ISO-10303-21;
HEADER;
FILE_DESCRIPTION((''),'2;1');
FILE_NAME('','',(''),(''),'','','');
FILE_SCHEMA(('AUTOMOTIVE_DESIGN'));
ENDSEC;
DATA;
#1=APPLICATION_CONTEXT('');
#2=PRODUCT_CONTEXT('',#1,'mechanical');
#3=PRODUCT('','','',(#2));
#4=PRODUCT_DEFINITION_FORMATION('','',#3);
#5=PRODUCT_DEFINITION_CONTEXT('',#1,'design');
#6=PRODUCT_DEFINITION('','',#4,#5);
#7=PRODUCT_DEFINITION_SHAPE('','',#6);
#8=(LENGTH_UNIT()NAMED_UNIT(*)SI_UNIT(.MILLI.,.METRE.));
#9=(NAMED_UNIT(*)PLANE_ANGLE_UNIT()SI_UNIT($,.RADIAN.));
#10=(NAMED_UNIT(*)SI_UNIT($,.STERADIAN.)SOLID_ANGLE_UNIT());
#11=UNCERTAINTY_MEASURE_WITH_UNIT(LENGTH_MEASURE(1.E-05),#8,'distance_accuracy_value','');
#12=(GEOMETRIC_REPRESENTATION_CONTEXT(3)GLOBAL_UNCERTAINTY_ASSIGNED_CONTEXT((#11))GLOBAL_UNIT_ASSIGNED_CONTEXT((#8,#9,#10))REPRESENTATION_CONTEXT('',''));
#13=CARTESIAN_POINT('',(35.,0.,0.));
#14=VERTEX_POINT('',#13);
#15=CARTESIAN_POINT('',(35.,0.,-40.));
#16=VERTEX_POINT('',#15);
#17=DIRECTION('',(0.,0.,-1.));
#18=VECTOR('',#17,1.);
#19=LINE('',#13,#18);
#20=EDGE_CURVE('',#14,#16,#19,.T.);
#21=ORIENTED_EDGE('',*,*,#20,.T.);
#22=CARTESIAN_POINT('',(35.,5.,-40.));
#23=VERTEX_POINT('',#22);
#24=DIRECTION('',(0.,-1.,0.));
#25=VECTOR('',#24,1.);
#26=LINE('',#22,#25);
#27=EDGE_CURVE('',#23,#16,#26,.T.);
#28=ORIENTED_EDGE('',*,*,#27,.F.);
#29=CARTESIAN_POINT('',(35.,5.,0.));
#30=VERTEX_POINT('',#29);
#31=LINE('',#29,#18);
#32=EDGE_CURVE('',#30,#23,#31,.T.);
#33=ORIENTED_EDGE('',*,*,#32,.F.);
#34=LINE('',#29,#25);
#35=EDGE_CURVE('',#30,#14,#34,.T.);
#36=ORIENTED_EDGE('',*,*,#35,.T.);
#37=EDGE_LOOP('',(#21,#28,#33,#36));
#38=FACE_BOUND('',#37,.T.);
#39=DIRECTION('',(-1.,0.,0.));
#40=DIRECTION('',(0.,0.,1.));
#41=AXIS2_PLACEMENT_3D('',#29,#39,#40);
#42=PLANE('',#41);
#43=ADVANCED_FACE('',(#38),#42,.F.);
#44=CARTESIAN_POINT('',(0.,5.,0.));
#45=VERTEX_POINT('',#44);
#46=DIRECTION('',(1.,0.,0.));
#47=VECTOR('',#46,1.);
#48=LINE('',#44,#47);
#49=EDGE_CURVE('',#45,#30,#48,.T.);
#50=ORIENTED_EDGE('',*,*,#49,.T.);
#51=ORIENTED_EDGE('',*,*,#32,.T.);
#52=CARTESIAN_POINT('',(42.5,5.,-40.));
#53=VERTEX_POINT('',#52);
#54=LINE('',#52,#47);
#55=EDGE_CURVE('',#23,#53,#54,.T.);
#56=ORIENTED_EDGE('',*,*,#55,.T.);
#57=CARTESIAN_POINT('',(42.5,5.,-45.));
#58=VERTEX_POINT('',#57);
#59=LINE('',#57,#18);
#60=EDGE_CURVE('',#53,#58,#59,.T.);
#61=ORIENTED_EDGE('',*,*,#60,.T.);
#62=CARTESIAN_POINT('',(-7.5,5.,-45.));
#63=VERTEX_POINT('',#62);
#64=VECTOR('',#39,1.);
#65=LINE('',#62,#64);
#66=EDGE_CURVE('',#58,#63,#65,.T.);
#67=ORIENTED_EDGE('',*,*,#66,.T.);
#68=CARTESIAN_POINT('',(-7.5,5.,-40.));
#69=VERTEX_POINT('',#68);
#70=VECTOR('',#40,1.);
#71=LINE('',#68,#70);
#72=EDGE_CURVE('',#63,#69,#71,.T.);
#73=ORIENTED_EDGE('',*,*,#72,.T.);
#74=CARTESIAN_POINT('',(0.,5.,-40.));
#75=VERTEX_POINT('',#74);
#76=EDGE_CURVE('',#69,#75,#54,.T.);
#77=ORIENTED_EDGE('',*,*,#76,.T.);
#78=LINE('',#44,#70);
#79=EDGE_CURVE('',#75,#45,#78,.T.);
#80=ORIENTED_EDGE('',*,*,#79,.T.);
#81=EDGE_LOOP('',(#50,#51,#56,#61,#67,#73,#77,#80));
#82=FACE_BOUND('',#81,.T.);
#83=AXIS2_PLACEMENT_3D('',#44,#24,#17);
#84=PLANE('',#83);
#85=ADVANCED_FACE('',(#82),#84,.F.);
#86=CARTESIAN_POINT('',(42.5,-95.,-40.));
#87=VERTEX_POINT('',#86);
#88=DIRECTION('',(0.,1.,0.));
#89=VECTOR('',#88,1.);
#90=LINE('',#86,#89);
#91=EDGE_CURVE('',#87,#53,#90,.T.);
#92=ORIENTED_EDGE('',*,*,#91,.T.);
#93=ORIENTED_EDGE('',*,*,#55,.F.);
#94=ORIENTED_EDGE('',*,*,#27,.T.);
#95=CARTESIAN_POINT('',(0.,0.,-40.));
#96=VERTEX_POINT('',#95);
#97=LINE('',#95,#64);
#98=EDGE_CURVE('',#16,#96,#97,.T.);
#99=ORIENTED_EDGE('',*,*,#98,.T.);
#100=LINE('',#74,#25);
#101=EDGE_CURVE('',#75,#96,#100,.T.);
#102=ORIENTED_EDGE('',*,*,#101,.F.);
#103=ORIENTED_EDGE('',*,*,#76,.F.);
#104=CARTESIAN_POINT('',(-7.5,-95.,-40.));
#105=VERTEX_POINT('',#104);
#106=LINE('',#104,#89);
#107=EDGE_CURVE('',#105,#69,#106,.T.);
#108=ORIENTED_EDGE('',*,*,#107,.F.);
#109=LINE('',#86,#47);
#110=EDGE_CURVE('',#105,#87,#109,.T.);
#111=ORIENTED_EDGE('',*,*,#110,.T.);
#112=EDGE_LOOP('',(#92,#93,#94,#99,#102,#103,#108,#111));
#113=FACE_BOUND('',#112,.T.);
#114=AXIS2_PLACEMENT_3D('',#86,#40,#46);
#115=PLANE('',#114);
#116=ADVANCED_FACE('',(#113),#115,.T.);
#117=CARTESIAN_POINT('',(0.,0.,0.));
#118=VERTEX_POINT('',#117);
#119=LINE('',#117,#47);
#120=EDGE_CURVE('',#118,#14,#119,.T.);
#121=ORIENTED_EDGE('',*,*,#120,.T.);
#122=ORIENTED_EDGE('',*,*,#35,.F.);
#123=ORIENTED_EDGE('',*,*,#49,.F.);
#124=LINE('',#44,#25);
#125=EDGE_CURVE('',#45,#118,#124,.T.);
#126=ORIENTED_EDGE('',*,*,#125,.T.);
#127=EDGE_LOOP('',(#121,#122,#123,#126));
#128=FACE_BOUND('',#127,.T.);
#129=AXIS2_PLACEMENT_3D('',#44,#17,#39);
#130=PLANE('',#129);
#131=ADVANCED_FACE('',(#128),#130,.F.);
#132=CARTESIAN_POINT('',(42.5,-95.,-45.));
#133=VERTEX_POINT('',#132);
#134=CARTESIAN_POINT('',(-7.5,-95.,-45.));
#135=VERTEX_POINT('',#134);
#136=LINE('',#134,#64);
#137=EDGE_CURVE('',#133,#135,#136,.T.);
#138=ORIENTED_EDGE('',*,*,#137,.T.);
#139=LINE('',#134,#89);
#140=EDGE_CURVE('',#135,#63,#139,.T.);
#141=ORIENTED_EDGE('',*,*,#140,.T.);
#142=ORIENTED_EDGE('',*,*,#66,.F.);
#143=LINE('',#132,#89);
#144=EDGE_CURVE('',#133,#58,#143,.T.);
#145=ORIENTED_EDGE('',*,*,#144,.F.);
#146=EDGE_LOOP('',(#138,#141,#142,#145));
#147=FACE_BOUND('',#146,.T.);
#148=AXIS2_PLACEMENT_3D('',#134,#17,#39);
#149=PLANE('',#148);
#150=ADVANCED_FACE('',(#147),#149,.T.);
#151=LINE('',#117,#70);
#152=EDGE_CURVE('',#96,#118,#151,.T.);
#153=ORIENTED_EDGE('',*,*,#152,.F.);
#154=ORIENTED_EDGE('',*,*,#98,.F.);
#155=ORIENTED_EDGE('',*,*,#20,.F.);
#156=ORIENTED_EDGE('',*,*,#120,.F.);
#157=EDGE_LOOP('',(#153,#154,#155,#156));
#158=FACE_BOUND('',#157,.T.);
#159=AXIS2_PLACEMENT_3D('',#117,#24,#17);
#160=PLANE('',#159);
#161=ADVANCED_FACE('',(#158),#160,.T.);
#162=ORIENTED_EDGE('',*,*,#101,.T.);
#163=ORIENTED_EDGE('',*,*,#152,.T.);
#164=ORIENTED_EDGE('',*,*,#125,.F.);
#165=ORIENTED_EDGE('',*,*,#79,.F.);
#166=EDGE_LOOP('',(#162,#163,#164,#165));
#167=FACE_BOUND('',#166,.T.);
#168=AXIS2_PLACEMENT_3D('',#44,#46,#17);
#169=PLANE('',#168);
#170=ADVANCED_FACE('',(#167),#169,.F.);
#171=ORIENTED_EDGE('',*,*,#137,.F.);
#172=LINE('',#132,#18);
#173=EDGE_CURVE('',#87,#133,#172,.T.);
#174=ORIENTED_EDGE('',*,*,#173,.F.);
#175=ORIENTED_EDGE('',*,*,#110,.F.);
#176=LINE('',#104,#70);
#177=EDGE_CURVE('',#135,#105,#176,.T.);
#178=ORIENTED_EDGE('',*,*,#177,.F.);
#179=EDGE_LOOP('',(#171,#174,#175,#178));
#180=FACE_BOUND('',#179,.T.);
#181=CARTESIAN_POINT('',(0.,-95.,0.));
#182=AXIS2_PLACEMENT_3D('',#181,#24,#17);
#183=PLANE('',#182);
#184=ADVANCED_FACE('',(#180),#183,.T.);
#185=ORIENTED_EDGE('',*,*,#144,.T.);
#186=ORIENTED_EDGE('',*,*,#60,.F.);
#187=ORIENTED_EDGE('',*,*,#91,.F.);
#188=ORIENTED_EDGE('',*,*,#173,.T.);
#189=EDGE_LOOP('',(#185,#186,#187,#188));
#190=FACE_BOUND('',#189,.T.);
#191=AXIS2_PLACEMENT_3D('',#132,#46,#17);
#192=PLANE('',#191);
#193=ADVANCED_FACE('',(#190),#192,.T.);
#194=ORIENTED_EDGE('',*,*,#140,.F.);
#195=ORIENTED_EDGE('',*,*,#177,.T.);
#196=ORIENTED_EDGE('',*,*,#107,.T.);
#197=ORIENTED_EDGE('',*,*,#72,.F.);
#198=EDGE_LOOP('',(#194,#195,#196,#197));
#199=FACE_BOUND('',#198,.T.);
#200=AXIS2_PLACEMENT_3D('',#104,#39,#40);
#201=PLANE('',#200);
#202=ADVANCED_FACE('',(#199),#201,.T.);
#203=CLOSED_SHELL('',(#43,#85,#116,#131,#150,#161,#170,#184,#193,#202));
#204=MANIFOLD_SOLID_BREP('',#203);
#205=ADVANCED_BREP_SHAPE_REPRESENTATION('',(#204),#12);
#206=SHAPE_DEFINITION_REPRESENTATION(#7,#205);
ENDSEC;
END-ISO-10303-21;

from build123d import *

# Parameters (mm, degrees)
SKETCH1_W           = 35
SKETCH1_H           = 40
BOSS_EXTRUDE1_DEPTH = 5
SKETCH5_W           = 50
SKETCH5_H           = 5
BOSS_EXTRUDE2_DEPTH = 100


with BuildPart() as part:
    # Sketch1 → Boss-Extrude1 (new body)
    with BuildSketch(Plane(origin=(0, 0, 0), x_dir=(1, 0, 0), z_dir=(0, 1, 0))):
        with Locations((17.5, 20)):
            Rectangle(SKETCH1_W, SKETCH1_H)
    extrude(amount=BOSS_EXTRUDE1_DEPTH)

    # Sketch5 → Boss-Extrude2 (add)
    with BuildSketch(Plane(origin=(0, 5, 0), x_dir=(1, 0, 0), z_dir=(0, 1, 0))):
        with Locations((17.5, 42.5)):
            Rectangle(SKETCH5_W, SKETCH5_H)
    extrude(amount=-BOSS_EXTRUDE2_DEPTH)


solid = part.part
